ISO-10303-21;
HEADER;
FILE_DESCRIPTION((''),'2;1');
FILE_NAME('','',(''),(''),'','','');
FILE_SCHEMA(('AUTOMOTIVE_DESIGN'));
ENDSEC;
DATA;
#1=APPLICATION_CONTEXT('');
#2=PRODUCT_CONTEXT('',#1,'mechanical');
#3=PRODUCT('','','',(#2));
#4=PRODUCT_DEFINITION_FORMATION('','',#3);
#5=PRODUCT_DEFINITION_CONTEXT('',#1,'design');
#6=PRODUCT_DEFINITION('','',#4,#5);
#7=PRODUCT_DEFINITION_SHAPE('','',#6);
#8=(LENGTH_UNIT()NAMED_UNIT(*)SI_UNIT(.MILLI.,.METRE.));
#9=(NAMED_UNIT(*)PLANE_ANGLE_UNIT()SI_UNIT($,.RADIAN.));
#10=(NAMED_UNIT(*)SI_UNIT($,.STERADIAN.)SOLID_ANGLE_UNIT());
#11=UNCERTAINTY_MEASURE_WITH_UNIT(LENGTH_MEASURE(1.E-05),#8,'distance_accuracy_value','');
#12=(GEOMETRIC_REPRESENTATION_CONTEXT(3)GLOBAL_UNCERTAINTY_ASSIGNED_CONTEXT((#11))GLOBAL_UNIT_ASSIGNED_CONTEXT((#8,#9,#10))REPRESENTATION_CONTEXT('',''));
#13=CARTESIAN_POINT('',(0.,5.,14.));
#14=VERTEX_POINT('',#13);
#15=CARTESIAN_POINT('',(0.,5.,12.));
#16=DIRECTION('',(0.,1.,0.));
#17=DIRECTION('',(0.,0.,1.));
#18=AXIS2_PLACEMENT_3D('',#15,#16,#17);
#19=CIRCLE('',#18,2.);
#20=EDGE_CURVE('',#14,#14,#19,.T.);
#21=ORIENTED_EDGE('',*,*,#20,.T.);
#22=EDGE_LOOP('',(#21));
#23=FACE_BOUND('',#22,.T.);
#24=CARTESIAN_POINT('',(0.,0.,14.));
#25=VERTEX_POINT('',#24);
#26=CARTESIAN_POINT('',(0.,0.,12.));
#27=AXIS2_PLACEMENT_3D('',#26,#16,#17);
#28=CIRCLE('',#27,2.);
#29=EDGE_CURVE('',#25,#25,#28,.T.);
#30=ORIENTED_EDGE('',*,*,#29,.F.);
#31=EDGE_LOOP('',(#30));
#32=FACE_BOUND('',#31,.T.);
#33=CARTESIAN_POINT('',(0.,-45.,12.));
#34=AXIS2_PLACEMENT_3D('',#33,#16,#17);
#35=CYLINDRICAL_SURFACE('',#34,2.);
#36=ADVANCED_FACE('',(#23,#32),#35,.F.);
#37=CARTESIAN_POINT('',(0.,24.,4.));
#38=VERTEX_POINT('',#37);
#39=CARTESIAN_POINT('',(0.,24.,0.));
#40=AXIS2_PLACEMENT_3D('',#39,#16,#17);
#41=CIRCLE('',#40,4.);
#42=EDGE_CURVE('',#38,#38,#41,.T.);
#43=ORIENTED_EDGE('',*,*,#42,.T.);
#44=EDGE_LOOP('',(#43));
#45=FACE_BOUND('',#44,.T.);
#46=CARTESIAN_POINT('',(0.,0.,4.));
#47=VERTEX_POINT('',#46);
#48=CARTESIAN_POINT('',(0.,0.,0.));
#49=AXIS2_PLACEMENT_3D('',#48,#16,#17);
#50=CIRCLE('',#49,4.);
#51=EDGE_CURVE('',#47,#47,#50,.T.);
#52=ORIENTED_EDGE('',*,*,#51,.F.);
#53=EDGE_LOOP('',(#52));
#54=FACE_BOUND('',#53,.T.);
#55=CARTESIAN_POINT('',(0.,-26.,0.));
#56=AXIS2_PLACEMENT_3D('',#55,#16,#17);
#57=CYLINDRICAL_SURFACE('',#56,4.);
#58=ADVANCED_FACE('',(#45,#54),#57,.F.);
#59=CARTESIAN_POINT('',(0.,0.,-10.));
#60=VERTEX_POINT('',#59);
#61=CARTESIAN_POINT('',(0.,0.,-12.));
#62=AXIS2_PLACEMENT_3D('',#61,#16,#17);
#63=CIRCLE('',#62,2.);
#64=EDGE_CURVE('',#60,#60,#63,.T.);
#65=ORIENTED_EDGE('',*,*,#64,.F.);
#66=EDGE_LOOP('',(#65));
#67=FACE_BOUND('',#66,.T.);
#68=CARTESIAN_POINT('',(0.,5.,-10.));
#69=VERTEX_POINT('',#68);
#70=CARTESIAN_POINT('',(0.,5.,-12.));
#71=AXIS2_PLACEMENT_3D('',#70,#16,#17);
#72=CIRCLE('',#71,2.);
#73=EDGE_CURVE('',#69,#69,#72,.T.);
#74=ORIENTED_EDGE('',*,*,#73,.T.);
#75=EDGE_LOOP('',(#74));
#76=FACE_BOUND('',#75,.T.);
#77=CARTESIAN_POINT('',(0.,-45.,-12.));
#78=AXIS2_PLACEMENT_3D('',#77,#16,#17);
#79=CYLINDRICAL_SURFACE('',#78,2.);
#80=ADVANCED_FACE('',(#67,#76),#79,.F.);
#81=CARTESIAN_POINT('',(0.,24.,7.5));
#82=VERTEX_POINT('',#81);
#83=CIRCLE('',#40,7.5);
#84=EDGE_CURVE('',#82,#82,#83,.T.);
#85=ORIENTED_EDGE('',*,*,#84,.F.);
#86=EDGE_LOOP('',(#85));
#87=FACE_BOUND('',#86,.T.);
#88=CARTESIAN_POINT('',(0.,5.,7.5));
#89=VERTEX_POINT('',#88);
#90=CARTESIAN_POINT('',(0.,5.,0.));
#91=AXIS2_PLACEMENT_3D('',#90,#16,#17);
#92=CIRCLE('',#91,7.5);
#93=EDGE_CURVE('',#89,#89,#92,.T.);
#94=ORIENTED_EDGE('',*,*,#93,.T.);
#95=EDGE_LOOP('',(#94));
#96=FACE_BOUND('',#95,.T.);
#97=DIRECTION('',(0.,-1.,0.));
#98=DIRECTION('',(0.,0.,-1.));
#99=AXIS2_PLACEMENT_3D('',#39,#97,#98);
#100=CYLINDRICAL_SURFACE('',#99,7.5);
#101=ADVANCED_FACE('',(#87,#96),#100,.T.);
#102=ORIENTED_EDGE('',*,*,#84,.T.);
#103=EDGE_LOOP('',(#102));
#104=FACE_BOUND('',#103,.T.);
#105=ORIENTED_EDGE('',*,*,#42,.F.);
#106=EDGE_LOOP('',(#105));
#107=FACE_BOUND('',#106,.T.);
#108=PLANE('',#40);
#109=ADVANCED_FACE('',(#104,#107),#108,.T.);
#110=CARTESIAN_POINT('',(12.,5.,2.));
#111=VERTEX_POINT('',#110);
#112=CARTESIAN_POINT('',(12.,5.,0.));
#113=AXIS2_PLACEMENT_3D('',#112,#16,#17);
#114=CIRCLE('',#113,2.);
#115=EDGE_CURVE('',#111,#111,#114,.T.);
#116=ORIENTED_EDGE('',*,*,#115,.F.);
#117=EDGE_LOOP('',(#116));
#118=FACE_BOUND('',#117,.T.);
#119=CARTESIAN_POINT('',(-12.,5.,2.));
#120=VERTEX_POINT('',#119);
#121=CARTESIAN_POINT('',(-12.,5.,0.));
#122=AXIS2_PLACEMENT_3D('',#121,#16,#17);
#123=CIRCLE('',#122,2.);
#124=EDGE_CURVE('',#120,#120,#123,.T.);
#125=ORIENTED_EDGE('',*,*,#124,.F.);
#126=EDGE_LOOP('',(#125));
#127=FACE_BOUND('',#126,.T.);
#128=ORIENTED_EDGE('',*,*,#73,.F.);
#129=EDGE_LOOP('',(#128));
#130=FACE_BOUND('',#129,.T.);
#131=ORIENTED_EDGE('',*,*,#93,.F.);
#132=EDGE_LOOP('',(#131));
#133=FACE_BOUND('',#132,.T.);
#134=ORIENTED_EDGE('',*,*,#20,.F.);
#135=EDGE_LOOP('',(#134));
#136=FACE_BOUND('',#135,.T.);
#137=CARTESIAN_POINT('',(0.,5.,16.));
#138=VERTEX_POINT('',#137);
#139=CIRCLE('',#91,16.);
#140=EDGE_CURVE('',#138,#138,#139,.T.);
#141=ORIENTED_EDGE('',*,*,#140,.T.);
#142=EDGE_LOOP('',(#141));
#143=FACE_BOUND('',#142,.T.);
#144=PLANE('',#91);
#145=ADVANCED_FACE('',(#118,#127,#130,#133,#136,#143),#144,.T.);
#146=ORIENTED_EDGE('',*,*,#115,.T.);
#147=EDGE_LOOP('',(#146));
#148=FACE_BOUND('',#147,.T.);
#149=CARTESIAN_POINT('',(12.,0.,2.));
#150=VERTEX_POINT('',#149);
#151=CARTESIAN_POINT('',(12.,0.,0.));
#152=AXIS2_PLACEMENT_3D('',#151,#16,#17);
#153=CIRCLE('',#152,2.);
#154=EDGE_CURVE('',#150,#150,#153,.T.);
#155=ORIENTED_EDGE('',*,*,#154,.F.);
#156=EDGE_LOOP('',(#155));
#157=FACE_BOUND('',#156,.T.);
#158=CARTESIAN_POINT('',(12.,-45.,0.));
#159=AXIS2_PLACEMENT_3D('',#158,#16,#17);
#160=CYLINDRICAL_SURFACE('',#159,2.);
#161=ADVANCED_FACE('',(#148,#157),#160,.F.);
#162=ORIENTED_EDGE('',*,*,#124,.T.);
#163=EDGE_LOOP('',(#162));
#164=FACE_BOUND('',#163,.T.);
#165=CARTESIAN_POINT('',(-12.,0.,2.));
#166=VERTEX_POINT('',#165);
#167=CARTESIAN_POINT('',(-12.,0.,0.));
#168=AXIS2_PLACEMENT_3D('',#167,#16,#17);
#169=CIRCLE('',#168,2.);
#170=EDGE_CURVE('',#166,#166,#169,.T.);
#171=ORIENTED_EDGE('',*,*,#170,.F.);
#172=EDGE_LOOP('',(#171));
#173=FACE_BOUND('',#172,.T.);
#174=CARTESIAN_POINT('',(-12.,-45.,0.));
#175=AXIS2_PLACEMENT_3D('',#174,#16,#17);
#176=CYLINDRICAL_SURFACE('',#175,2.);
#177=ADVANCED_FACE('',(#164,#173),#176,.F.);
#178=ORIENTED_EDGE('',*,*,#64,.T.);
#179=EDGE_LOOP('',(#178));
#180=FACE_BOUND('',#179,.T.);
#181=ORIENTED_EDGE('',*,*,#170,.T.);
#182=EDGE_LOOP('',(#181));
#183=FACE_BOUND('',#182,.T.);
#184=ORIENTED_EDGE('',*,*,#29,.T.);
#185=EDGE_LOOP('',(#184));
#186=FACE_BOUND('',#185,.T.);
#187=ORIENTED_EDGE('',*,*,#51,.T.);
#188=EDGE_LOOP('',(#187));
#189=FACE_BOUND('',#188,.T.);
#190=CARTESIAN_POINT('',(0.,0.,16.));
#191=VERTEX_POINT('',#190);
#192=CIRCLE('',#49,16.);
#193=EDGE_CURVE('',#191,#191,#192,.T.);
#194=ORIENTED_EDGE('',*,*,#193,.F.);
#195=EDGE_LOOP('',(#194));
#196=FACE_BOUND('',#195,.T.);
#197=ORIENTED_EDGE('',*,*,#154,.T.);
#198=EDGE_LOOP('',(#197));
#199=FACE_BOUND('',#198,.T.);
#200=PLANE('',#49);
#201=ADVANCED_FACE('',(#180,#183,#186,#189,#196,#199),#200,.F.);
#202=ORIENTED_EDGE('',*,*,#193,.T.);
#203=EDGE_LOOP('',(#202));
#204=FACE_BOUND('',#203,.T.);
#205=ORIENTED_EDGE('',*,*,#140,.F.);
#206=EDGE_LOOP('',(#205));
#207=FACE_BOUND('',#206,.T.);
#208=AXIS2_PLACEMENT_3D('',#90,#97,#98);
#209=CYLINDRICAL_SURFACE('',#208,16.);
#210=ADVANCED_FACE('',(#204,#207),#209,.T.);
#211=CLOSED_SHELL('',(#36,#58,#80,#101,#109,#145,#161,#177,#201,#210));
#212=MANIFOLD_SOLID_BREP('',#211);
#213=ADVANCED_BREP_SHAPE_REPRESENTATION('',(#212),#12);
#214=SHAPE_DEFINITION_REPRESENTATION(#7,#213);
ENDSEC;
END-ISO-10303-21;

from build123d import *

# Parameters (mm, degrees)
SKETCH2_R           = 16
BOSS_EXTRUDE1_DEPTH = 5
SKETCH3_R           = 7.5
BOSS_EXTRUDE2_DEPTH = 19
SKETCH4_R           = 4
CUT_EXTRUDE1_DEPTH  = 50
SKETCH5_R           = 2
CUT_EXTRUDE2_DEPTH  = 50


with BuildPart() as part:
    # Sketch2 → Boss-Extrude1 (new body)
    with BuildSketch(Plane(origin=(0, 0, 0), x_dir=(1, 0, 0), z_dir=(0, 1, 0))):
        Circle(SKETCH2_R)
    extrude(amount=BOSS_EXTRUDE1_DEPTH)

    # Sketch3 → Boss-Extrude2 (add)
    with BuildSketch(Plane(origin=(0, 5, 0), x_dir=(1, 0, 0), z_dir=(0, 1, 0))):
        Circle(SKETCH3_R)
    extrude(amount=BOSS_EXTRUDE2_DEPTH)

    # Sketch4 → Cut-Extrude1 (cut)
    with BuildSketch(Plane(origin=(0, 24, 0), x_dir=(1, 0, 0), z_dir=(0, 1, 0))):
        Circle(SKETCH4_R)
    extrude(amount=-CUT_EXTRUDE1_DEPTH, mode=Mode.SUBTRACT)

    # Sketch5 → Cut-Extrude2 (cut)
    with BuildSketch(Plane(origin=(0, 5, 0), x_dir=(1, 0, 0), z_dir=(0, 1, 0))):
        with Locations((0, 12)):
            Circle(SKETCH5_R)
        with Locations((0, -12)):
            Circle(SKETCH5_R)
        with Locations((-12, 0)):
            Circle(SKETCH5_R)
        with Locations((12, 0)):
            Circle(SKETCH5_R)
    extrude(amount=-CUT_EXTRUDE2_DEPTH, mode=Mode.SUBTRACT)


solid = part.part
